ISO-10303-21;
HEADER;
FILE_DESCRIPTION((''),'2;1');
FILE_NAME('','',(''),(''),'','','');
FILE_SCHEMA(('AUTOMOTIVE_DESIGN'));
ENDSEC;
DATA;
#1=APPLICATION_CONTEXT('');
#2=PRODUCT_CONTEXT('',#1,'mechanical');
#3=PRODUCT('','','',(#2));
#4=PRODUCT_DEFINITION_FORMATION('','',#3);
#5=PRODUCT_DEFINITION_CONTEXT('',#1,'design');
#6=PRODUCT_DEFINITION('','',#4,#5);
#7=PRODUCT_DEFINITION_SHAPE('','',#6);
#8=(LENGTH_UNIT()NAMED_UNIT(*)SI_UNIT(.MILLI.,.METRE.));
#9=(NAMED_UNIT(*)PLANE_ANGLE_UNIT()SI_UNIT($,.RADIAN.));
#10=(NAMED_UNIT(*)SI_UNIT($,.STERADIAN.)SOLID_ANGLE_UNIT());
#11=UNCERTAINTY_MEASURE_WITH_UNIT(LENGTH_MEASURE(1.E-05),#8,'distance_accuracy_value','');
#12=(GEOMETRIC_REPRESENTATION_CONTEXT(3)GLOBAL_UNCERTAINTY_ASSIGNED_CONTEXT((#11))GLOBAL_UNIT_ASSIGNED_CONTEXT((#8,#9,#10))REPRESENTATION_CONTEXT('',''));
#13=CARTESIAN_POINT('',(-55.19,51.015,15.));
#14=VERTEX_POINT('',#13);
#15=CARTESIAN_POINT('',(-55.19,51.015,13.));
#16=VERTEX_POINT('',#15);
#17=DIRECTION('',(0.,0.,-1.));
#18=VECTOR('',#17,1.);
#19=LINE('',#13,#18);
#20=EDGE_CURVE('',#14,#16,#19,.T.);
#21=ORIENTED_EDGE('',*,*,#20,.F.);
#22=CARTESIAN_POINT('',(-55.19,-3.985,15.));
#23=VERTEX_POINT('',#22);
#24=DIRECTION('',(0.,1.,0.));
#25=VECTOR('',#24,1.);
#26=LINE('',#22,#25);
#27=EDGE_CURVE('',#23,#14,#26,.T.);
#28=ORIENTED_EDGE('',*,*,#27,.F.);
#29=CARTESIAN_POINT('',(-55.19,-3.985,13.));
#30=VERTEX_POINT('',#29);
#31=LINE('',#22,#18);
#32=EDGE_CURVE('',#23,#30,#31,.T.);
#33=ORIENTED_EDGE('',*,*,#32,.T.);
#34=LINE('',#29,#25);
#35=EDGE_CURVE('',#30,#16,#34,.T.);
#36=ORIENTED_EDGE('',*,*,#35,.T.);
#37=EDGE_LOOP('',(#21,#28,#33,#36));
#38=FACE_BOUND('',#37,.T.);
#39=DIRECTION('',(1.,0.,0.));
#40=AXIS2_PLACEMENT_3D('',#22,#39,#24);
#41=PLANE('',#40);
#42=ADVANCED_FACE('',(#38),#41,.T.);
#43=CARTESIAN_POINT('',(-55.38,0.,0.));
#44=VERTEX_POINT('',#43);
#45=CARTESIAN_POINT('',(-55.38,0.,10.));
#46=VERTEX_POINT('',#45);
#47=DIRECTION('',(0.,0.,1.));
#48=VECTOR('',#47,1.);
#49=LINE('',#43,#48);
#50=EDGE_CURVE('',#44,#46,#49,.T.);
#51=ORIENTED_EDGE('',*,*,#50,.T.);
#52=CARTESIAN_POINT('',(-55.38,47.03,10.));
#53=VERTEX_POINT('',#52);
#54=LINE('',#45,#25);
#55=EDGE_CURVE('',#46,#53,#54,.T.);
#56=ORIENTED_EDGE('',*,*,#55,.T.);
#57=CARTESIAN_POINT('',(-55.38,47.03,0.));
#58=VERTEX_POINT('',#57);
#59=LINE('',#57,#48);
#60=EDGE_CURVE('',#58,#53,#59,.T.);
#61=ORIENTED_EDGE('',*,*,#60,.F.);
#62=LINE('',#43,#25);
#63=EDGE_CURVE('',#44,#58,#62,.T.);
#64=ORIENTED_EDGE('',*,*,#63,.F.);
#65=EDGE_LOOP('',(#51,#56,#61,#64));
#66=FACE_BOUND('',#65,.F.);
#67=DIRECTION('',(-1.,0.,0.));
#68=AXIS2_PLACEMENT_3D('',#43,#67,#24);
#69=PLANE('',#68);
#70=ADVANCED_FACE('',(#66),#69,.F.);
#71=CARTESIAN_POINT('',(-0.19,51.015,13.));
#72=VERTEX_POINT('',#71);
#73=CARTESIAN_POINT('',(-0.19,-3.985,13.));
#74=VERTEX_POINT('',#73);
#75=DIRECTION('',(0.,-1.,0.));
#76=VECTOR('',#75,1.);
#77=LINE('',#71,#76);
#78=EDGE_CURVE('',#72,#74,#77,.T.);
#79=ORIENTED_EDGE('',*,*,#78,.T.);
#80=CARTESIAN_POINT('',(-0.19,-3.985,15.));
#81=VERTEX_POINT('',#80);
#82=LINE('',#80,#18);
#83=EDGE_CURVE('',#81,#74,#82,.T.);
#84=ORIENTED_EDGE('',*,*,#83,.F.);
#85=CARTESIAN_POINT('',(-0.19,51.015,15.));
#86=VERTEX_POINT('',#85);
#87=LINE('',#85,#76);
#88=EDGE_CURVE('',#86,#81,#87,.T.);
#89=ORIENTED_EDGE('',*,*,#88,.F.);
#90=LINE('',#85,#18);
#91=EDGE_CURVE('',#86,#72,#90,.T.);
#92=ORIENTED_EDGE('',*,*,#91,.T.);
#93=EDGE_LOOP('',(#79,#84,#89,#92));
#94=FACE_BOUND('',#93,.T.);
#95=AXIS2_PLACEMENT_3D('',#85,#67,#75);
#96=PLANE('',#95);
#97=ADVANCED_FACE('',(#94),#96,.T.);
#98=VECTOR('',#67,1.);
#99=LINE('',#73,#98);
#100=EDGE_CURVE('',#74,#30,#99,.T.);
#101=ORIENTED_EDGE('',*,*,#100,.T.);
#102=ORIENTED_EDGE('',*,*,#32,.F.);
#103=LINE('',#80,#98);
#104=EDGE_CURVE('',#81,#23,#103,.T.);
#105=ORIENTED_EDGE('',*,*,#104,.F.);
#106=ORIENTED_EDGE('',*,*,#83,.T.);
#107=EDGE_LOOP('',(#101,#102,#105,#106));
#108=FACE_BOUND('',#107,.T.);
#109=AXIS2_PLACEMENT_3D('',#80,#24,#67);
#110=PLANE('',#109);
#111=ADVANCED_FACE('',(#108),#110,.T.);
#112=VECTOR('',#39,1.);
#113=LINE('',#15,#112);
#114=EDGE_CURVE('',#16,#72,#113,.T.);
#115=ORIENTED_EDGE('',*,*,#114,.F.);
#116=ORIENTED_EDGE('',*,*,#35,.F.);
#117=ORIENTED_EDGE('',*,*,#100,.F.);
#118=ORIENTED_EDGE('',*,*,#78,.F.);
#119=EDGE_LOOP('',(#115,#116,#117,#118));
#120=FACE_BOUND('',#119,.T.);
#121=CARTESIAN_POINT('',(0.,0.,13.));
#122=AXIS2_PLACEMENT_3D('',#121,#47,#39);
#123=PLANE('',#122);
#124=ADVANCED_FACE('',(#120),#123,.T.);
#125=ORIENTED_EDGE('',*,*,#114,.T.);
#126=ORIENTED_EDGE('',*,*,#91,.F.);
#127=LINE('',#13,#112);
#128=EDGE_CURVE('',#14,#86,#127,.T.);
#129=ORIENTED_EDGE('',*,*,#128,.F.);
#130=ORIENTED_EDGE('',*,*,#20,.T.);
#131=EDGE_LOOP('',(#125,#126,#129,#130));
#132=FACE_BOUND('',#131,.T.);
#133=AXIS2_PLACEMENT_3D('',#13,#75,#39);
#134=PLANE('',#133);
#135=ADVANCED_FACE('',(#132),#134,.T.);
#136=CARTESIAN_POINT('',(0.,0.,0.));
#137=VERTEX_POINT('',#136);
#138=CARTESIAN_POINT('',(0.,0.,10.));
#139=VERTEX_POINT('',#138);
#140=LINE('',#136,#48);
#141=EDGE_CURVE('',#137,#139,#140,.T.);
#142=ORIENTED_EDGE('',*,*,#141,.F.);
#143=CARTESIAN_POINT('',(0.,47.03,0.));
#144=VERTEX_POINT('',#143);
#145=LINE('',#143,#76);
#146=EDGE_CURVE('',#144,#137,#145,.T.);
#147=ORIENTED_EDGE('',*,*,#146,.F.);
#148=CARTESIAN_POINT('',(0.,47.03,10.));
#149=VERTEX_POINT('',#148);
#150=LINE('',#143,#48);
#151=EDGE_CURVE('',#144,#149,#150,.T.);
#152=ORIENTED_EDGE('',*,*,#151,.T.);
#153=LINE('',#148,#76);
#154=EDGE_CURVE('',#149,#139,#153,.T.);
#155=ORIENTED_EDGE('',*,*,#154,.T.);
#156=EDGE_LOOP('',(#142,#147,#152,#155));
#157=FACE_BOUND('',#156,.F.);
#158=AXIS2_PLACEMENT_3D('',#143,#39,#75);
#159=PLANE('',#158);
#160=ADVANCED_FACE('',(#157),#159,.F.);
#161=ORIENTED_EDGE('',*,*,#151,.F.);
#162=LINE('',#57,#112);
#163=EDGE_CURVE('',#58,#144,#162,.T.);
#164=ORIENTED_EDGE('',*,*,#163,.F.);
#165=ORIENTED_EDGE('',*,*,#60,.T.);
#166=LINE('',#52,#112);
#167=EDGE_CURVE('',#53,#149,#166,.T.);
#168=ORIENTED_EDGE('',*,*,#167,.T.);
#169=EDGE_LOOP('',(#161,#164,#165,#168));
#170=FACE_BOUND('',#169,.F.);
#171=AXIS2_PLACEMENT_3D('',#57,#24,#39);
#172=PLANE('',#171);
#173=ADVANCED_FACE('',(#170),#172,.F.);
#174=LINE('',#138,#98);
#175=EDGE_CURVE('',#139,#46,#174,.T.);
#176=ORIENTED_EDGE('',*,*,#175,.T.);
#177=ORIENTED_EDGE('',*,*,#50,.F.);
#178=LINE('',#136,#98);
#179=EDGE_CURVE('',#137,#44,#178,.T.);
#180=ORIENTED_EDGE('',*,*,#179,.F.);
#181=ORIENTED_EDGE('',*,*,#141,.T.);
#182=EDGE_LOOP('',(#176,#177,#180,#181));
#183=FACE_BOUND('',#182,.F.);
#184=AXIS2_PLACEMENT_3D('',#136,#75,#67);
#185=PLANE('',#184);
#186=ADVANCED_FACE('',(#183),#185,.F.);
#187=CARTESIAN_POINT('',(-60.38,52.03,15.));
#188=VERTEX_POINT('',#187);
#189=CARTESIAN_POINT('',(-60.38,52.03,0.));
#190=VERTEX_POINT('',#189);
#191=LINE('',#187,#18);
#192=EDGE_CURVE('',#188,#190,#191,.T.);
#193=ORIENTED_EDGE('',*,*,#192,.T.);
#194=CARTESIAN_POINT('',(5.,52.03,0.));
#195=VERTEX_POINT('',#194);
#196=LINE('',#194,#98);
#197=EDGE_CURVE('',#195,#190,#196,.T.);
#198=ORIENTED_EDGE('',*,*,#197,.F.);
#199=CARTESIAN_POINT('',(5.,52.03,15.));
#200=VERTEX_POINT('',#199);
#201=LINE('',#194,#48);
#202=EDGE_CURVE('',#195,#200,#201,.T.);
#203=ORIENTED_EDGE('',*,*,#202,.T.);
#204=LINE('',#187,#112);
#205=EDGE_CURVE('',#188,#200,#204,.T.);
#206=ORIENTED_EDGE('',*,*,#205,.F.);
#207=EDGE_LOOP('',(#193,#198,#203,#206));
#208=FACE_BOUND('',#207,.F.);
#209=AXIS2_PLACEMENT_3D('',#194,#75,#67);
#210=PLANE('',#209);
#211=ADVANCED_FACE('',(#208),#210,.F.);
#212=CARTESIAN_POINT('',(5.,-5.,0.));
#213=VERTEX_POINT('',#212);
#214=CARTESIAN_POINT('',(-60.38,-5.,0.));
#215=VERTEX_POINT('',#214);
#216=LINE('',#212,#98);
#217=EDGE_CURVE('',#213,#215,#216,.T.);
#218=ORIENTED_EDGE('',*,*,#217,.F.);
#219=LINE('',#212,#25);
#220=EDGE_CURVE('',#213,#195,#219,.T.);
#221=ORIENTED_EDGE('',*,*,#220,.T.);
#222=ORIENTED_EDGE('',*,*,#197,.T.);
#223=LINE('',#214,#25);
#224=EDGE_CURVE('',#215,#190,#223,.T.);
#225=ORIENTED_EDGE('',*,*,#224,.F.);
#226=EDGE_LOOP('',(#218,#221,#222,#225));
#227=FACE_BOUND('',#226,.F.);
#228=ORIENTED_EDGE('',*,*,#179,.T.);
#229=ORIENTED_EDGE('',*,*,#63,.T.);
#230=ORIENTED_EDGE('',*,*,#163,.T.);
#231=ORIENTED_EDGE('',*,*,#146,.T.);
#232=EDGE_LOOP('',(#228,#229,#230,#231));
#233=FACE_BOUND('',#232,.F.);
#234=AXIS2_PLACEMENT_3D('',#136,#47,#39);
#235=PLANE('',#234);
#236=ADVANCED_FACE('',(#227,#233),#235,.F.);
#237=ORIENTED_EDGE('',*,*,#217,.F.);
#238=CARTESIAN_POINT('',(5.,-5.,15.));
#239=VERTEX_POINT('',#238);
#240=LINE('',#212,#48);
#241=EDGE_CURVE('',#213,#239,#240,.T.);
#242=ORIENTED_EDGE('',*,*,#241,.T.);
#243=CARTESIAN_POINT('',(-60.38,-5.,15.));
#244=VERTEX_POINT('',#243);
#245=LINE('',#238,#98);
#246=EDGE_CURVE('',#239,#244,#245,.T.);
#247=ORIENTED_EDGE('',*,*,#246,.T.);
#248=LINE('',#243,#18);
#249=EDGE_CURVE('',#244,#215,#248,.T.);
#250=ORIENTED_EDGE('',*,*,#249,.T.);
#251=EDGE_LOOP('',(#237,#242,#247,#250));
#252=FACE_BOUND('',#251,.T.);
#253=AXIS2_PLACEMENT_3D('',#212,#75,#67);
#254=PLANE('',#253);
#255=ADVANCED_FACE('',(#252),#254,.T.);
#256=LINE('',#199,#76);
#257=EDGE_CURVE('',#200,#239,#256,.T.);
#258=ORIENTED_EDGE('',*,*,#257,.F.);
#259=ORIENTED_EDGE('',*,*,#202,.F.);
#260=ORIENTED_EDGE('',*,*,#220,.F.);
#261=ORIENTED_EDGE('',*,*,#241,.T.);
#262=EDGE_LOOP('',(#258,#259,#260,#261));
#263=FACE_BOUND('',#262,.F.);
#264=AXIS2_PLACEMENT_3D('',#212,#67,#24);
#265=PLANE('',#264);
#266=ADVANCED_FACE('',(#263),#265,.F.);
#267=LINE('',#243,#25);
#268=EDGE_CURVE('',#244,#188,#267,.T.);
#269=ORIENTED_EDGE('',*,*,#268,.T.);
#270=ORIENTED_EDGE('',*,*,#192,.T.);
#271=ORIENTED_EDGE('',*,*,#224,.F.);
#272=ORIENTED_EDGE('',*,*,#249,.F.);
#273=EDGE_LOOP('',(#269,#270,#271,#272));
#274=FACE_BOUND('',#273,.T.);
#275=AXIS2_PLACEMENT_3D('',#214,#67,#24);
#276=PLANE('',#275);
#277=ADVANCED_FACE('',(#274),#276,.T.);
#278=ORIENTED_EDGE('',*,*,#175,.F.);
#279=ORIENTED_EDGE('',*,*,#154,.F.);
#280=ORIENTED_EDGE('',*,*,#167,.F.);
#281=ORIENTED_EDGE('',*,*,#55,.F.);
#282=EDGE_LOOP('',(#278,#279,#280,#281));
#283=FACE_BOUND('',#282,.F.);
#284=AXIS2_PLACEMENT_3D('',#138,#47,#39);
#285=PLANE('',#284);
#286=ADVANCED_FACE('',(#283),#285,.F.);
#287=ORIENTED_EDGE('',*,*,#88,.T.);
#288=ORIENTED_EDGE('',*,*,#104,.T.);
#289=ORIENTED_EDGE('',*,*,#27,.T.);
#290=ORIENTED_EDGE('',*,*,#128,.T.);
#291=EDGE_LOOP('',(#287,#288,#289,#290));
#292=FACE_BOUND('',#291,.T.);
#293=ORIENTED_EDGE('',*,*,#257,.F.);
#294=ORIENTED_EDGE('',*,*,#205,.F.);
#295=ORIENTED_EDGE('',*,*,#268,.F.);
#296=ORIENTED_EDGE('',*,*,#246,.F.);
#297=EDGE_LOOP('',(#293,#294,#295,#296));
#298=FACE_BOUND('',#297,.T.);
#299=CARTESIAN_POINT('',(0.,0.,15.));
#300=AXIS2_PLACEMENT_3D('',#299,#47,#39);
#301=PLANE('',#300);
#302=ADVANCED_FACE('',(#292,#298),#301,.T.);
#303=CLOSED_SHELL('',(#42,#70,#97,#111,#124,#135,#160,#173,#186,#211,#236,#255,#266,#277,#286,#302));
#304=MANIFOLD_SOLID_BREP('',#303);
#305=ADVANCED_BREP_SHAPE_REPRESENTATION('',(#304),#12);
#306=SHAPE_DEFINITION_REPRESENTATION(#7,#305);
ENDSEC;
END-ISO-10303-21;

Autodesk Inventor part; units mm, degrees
ref_plane "YZ Plane" through (0, 0, 0) normal (1, 0, 0) x (0, 1, 0)
ref_plane "XZ Plane" through (0, 0, 0) normal (0, 1, 0) x (-1, 0, 0)
ref_plane "XY Plane" through (0, 0, 0) normal (0, 0, 1) x (1, 0, 0)
sketch "Sketch3" plane through (0, 0, 0) normal (0, 0, 1) x (1, 0, 0)
  line L0 (0, 0) -> (-55.38, 0)
  line L1 (-55.38, 0) -> (-55.38, 47.03)
  line L2 (-55.38, 47.03) -> (0, 47.03)
  line L3 (0, 47.03) -> (0, 0)
  line L4 (5, -5) -> (5, 52.03)
  line L5 (5, 52.03) -> (-60.38, 52.03)
  line L6 (5, -5) -> (-60.38, -5)
  line L7 (-60.38, -5) -> (-60.38, 52.03)
  dimension "d26" = 47.03
  dimension "d27" = 55.38
extrude "Extrusion10" add sketch "Sketch3" along normal blind 10
sketch "Sketch10" plane through (0, 0, 10) normal (0, 0, 1) x (1, 0, 0)
  line L0 (-60.38, 52.03) -> (5, 52.03)
  line L1 (5, 52.03) -> (5, -5)
  line L2 (5, -5) -> (-60.38, -5)
  line L3 (-60.38, -5) -> (-60.38, 52.03)
  point P0 (0, 0)
extrude "Extrusion11" add sketch "Sketch10" along normal blind 5
sketch "Sketch11" plane through (0, 0, 15) normal (0, 0, 1) x (1, 0, 0)
  line L0 (5, -5) -> (-0.19, -5)
  line L1 (-0.19, -5) -> (-0.19, -3.985)
  line L2 (-0.19, -5) -> (0.825, -5) construction
  line L3 (-0.19, -3.985) -> (-55.19, -3.985)
  line L4 (-55.19, -3.985) -> (-55.19, 51.015)
  line L5 (-55.19, 51.015) -> (-0.19, 51.015)
  line L6 (-0.19, 51.015) -> (-0.19, -3.985)
  point P0 (0, 0)
  point P1 (-60.38, -5)
  point P2 (-60.38, 52.03)
  dimension "d73" = 65.38
  dimension "d76" = 5.19
  dimension "d78" = 1.015
  dimension "d79" = 90
  dimension "d80" = 55
  dimension "d81" = 55
extrude "Extrusion12" cut sketch "Sketch11" against normal blind 2
properties part number "End-Effector"
